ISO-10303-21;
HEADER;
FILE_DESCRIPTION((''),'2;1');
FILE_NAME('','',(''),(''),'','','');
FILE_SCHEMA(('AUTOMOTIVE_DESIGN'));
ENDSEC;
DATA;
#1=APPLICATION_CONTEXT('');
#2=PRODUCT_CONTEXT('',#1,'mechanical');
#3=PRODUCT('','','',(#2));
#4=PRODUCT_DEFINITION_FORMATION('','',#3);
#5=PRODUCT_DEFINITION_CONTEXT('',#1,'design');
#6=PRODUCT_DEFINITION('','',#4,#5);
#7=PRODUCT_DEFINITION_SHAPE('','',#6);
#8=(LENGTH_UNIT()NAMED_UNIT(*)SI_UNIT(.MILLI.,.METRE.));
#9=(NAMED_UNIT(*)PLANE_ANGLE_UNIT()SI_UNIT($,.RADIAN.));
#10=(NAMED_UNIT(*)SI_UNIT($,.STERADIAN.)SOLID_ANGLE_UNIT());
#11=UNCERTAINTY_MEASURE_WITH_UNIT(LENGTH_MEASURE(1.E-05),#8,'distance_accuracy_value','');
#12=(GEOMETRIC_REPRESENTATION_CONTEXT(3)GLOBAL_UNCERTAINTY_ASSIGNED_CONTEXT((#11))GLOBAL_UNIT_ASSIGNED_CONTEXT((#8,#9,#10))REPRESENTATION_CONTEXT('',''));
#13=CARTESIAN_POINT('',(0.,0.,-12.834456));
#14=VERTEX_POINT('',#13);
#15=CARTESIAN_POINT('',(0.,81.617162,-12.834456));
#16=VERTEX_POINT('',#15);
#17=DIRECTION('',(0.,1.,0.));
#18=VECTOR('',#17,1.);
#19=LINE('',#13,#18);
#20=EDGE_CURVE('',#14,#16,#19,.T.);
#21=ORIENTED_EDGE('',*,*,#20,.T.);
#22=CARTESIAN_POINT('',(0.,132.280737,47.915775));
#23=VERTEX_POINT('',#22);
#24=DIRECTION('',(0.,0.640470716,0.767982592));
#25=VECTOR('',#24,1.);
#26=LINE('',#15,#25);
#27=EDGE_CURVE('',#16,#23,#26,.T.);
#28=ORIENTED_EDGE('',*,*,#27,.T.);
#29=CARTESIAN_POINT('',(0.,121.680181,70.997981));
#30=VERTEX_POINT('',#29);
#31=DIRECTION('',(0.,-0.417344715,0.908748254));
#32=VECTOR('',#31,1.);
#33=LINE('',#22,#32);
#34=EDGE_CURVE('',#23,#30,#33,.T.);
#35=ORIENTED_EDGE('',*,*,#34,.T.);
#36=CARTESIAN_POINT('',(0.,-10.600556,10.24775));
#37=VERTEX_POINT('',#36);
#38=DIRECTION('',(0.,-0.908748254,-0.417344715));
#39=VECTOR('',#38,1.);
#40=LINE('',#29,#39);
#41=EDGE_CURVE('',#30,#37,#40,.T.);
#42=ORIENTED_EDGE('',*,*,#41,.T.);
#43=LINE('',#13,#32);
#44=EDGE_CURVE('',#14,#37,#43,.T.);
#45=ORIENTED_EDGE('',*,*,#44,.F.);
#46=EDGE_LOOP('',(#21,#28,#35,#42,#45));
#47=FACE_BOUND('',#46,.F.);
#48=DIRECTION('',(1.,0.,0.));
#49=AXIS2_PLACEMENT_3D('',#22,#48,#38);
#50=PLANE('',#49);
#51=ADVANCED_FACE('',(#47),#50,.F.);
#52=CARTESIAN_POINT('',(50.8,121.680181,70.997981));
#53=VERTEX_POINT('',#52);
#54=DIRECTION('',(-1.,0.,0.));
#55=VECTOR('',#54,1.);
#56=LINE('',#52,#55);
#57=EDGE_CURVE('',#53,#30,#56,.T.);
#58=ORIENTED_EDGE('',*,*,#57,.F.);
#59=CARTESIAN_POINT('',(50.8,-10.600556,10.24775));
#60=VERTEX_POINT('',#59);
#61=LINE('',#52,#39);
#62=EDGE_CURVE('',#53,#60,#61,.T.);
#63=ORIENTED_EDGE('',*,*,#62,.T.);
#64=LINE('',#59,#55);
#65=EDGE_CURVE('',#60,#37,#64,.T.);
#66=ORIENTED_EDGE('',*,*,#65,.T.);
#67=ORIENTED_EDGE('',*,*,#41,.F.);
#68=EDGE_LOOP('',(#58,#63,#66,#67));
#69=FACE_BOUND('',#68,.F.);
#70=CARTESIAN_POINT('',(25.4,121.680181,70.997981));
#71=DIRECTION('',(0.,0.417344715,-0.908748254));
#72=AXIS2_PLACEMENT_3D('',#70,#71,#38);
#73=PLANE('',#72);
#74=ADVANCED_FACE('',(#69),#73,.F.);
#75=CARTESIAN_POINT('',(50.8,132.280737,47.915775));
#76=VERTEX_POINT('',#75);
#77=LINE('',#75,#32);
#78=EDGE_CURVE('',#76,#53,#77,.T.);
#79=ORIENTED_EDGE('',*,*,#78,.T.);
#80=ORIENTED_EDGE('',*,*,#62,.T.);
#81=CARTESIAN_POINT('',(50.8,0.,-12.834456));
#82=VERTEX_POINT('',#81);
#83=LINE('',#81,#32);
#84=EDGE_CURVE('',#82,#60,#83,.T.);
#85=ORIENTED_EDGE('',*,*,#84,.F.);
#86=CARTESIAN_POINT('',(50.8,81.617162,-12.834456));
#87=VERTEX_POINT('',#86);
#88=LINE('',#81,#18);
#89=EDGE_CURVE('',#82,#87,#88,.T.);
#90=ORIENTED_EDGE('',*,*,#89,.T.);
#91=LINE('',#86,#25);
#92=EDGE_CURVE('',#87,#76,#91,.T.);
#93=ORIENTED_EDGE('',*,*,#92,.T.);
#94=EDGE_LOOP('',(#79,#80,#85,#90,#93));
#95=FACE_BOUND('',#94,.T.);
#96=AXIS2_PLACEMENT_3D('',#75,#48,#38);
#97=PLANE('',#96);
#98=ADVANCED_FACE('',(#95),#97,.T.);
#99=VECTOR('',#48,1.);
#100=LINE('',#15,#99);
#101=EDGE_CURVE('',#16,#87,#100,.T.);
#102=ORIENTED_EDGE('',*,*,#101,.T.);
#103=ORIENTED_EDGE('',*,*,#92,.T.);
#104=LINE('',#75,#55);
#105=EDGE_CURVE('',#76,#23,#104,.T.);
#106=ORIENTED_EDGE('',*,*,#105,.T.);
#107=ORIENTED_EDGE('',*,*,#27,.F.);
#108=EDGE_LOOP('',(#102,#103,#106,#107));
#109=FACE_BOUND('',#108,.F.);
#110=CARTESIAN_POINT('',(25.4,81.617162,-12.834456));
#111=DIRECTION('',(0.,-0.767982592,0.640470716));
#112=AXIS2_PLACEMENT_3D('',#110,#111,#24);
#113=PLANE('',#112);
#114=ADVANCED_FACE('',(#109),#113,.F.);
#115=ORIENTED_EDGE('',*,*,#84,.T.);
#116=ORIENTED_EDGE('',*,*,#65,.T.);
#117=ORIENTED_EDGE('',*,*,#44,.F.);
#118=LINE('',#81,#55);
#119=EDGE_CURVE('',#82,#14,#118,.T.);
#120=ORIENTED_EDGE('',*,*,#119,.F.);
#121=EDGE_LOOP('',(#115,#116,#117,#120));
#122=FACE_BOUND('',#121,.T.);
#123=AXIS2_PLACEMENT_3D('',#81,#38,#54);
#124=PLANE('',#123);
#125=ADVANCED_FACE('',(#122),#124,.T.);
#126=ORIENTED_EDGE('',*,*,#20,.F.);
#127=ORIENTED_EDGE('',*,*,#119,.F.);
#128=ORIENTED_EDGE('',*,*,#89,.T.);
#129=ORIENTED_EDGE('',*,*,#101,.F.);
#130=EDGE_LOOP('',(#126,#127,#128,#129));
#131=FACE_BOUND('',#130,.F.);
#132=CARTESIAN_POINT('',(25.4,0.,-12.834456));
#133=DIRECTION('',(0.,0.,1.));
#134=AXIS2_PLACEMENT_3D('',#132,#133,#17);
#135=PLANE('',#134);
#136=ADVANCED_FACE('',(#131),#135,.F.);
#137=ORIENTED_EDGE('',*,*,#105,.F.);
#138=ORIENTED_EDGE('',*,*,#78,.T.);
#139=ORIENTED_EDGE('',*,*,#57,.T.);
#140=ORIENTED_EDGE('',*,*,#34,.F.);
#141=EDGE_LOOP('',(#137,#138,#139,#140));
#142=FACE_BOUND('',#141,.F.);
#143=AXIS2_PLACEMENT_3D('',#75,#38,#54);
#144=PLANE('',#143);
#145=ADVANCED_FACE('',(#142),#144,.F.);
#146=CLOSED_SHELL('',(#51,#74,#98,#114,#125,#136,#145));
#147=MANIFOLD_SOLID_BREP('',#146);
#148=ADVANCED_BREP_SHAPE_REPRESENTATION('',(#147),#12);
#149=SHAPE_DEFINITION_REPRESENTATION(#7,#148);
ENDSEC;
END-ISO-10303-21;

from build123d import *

# Parameters (mm, degrees)
F1_DEPTH = 25.4
F2_DEPTH = 25.4
F3_DEPTH = 25.4


with BuildPart() as f1:
    # F0 (on Right) → F1 (new body)
    with BuildSketch(Plane.YZ):
        Polygon((0, -12.8344558179), (61.9691237807, -12.8344558179), (81.6171616316, -12.8344558179), (132.2807371616, 47.9157753289), align=None)
    extrude(amount=F1_DEPTH)

    # F2 (add): a face of the model
    f2_faces = [f1.faces().sort_by_distance(p)[0] for p in [
        (25.4, 71.2992995977, 7.415621231),
    ]]
    extrude(f2_faces, amount=F2_DEPTH)

    # F3 (add): a face of the model
    f3_faces = [f1.faces().sort_by_distance(p)[0] for p in [
        (25.4, 66.1403685808, 17.5406597555),
    ]]
    extrude(f3_faces, amount=F3_DEPTH)


solid = f1.part
